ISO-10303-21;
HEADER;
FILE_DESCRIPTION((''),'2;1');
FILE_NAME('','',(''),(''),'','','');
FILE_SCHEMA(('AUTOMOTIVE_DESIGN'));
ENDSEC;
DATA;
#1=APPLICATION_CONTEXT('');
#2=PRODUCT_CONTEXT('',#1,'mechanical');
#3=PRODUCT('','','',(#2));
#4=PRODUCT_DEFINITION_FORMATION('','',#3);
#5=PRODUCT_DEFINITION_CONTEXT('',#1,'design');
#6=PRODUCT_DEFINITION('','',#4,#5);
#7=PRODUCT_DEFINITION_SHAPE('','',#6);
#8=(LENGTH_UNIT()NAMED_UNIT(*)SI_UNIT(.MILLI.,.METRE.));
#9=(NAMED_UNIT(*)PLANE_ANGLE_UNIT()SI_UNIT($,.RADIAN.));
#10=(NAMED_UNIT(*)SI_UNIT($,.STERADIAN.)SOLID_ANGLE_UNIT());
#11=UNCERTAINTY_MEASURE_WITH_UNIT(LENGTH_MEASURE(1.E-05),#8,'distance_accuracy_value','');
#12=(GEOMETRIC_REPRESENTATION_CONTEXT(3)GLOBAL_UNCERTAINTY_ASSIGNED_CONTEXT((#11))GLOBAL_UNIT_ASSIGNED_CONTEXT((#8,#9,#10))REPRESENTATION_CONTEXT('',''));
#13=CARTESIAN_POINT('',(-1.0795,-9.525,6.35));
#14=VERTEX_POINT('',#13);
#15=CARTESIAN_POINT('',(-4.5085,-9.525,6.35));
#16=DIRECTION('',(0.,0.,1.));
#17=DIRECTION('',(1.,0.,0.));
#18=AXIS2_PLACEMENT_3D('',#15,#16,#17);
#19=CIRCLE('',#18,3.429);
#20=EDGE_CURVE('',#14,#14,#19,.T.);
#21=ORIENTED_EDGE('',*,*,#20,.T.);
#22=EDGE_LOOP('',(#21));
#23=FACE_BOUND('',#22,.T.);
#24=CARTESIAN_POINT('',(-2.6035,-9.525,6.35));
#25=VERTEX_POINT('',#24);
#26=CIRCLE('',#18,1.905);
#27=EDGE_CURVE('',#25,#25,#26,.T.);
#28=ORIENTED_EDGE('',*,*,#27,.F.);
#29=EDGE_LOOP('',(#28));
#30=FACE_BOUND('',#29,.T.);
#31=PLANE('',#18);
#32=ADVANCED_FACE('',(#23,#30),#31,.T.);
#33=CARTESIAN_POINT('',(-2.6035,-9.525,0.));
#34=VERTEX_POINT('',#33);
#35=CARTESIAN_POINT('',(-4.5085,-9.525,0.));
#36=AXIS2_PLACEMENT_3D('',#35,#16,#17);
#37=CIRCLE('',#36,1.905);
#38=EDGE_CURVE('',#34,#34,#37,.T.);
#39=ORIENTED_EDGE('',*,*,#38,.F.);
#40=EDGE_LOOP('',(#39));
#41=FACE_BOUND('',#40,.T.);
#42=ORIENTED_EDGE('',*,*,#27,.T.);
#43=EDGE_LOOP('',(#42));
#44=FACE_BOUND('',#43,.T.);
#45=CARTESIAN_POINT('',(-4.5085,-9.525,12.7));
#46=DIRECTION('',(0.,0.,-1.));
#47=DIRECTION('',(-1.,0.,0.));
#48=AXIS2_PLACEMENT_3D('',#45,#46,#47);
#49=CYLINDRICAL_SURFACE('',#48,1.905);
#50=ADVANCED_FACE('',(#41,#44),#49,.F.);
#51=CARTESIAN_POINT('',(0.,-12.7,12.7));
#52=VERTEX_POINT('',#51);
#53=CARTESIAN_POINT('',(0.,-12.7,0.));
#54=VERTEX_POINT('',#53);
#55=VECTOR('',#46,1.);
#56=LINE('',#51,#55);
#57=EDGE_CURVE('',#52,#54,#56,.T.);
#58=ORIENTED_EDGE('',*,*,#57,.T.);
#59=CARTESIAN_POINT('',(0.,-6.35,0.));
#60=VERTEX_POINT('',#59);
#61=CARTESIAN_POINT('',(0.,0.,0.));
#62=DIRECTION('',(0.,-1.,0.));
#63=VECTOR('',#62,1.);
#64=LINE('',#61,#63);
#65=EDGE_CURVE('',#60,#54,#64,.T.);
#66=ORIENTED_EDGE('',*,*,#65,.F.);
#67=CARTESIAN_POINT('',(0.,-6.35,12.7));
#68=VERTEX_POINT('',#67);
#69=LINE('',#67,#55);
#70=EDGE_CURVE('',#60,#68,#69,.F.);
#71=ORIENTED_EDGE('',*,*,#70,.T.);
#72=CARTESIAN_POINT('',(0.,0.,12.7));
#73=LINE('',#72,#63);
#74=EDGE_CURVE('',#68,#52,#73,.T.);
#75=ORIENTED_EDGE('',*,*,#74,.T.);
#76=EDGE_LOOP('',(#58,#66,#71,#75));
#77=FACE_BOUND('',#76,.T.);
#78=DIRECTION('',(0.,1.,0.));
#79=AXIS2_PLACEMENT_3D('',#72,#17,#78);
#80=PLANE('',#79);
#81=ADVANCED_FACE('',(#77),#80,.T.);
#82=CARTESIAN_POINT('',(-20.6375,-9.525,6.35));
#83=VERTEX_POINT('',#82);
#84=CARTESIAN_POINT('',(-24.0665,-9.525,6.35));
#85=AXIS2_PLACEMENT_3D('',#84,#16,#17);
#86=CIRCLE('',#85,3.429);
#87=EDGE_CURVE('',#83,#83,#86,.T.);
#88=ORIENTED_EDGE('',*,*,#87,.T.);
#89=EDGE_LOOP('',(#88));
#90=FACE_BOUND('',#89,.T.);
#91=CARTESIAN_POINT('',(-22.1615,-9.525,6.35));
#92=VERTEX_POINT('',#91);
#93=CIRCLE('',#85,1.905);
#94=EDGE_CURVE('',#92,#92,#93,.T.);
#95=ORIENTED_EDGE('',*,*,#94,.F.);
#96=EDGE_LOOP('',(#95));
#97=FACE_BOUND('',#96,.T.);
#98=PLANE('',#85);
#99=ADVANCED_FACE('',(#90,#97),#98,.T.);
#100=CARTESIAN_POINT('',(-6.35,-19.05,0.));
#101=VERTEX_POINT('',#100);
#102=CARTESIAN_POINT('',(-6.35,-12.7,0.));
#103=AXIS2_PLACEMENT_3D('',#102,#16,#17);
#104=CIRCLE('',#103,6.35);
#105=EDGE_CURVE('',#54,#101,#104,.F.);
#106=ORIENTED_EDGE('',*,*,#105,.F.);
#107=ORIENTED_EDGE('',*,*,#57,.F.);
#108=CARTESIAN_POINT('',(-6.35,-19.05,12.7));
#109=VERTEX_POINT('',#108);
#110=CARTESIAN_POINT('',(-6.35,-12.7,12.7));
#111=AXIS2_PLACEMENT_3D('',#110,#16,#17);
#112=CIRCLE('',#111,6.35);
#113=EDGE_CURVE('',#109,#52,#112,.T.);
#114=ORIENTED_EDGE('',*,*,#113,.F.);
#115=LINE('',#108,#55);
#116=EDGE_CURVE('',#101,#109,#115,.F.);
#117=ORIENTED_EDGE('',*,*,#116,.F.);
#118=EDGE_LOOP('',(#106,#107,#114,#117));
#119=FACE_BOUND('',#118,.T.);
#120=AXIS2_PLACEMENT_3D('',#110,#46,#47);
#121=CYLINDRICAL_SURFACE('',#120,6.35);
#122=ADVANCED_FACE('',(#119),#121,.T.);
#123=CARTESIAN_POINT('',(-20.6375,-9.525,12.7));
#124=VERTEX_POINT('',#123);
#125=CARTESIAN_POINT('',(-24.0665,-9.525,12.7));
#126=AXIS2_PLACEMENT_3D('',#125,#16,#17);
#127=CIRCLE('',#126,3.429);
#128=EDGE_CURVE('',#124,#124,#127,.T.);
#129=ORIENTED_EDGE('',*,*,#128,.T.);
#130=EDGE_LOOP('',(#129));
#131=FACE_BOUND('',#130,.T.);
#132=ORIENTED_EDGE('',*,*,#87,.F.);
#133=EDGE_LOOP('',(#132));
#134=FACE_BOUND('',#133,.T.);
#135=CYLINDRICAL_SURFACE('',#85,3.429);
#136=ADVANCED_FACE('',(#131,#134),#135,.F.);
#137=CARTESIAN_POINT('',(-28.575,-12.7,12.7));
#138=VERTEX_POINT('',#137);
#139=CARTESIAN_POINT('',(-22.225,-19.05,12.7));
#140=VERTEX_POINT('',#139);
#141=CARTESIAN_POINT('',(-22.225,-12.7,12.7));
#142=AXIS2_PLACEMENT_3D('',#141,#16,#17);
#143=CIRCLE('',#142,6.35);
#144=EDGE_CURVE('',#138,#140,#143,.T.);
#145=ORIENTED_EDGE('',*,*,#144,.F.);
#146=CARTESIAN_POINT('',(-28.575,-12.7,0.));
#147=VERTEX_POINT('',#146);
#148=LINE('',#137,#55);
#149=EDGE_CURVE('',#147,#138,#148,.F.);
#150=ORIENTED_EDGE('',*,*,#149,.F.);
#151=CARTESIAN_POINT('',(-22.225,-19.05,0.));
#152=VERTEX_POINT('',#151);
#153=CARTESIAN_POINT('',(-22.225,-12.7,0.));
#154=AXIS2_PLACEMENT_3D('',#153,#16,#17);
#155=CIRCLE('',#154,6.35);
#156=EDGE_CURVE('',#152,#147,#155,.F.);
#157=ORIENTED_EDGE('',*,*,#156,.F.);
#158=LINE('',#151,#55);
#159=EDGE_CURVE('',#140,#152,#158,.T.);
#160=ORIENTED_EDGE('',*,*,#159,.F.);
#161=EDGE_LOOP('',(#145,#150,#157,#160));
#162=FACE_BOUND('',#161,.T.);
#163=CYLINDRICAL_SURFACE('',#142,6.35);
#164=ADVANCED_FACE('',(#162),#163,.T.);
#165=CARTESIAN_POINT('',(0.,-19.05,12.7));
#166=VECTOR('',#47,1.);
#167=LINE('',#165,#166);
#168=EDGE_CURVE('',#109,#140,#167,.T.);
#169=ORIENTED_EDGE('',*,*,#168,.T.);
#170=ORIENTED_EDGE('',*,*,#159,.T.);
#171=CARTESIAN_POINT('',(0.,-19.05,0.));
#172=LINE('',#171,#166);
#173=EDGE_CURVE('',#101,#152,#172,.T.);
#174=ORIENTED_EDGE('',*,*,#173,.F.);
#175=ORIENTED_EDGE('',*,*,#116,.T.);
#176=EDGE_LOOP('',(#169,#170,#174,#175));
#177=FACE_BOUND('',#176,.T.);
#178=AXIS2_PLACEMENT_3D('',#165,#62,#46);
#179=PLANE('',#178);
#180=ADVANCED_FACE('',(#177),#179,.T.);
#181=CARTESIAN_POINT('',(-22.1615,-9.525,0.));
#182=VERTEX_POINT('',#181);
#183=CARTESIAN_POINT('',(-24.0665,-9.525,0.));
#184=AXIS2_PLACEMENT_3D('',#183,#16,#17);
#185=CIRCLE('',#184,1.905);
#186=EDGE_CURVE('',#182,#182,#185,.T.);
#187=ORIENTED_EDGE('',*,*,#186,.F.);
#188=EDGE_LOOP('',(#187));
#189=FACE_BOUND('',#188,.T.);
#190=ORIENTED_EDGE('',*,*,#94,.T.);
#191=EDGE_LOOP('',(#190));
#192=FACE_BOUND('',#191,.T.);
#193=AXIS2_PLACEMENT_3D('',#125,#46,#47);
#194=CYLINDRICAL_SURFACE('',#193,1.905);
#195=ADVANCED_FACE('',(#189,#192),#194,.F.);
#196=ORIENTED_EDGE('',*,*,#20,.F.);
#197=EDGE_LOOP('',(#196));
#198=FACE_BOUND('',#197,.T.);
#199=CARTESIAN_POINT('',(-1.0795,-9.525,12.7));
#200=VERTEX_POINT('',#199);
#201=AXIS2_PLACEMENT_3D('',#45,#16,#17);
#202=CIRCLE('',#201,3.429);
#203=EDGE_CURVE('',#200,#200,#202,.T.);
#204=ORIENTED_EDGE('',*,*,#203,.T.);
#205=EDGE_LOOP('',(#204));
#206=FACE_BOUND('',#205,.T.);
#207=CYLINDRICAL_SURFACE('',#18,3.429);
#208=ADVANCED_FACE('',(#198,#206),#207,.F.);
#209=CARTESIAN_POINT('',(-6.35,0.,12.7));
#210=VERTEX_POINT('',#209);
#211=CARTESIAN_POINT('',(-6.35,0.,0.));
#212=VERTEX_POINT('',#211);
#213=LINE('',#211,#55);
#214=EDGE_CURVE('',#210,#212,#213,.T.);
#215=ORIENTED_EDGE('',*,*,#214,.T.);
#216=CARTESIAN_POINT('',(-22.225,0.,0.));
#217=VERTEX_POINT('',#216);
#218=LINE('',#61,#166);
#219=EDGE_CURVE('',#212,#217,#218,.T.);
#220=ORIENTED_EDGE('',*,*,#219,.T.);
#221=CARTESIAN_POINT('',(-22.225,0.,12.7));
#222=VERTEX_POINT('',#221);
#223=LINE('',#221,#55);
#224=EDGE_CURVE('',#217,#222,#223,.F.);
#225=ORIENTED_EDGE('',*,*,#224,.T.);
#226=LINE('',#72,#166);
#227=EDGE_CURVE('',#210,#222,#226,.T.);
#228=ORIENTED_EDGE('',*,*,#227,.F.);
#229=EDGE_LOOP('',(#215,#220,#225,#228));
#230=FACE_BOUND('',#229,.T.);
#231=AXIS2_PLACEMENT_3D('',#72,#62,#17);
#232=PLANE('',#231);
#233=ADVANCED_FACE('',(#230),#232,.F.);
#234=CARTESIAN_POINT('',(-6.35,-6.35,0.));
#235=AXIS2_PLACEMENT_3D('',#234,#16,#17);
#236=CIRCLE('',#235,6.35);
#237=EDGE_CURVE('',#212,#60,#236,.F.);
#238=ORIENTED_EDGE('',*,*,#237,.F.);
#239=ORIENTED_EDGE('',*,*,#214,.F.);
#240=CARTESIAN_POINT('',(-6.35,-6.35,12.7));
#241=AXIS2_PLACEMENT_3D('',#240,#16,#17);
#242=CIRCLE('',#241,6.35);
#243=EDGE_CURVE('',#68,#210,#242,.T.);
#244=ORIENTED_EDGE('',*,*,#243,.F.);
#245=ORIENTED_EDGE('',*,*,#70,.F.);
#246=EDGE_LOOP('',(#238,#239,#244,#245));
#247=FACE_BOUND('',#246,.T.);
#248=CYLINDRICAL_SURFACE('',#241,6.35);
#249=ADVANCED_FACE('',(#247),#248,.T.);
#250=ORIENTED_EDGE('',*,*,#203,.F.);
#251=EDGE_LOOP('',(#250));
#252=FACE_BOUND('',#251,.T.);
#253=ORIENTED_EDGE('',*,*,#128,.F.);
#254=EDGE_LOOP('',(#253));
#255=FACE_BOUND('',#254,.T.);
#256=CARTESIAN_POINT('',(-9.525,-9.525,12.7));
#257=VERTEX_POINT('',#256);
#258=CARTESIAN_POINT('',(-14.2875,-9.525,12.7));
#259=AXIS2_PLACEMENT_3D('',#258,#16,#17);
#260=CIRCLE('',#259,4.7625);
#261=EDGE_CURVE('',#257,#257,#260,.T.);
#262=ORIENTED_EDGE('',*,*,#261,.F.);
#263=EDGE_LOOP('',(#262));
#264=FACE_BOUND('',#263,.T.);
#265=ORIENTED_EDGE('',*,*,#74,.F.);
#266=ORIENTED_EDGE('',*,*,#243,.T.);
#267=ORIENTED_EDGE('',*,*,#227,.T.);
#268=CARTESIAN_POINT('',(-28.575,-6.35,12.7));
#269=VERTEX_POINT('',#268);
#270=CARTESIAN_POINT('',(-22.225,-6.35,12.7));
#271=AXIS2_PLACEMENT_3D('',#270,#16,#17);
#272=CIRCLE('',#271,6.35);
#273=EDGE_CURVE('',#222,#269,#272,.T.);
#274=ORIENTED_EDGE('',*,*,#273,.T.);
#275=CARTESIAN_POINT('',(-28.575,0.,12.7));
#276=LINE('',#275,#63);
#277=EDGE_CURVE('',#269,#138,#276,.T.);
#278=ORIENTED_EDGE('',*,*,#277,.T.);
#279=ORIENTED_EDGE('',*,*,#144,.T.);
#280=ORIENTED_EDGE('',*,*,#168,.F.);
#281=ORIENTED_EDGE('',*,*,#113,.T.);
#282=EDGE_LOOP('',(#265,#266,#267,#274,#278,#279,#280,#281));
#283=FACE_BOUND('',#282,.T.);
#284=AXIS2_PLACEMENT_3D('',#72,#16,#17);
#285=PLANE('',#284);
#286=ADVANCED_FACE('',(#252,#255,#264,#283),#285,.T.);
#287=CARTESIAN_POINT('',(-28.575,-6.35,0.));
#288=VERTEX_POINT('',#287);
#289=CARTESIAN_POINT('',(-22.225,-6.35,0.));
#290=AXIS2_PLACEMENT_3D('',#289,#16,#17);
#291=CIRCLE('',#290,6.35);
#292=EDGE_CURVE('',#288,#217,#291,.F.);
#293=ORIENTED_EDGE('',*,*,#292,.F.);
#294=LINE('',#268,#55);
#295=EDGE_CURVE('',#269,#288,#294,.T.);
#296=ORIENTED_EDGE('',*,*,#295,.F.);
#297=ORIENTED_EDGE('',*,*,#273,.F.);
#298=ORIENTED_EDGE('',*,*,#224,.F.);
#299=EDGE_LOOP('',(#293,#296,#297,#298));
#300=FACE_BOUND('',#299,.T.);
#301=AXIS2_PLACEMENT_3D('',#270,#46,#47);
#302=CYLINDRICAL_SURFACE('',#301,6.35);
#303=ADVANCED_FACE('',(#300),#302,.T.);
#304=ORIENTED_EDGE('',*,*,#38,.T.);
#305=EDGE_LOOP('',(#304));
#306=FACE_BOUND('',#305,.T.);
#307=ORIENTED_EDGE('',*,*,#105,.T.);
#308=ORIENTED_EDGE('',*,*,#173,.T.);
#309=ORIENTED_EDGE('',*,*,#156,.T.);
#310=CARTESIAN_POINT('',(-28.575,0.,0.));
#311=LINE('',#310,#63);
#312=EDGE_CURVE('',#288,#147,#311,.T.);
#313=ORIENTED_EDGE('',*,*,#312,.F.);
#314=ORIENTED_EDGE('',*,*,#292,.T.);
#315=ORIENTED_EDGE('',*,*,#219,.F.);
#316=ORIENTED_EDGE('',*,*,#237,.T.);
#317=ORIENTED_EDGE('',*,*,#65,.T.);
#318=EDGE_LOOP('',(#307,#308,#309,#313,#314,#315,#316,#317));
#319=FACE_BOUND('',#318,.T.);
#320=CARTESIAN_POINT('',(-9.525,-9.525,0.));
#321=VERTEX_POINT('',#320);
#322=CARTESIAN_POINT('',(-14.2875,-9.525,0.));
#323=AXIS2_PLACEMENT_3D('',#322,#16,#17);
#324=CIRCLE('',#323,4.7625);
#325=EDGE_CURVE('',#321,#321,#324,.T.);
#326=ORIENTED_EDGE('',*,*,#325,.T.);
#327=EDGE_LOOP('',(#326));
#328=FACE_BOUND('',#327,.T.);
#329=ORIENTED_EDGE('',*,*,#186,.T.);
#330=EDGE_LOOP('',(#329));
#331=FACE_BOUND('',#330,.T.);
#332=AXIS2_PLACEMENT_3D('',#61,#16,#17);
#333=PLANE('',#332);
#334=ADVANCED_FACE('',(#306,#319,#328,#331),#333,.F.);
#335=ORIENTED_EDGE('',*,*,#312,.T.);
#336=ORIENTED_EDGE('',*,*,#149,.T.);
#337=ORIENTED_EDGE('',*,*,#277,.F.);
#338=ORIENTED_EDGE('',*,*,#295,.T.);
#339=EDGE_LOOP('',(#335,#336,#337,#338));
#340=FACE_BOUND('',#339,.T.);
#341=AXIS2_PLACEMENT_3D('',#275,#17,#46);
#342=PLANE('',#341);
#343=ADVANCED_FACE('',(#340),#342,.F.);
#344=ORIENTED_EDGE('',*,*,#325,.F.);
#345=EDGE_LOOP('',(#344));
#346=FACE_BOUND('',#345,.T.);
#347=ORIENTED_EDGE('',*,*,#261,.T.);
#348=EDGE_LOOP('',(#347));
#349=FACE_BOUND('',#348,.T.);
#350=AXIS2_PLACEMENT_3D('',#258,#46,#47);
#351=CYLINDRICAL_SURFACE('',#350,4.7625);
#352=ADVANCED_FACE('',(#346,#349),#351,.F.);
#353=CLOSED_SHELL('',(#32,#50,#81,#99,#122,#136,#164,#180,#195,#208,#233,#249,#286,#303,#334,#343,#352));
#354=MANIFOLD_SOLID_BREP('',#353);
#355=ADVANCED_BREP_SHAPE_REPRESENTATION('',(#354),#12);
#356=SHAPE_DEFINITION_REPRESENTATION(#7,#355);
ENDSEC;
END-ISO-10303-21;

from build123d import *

# Parameters (mm, degrees)
BOSS_EXTRUDE1_DEPTH = 12.7
FILLET1_R           = 6.35
SKETCH2_R           = 3.429
CUT_EXTRUDE1_DEPTH  = 6.35


with BuildPart() as part:
    # Sketch1 → Boss-Extrude1 (new body)
    with BuildSketch(Plane.XY):
        with BuildLine():
            Line((-14.2875, -4.7625), (-14.2875, 0))
            Line((-14.2875, 0), (-28.575, 0))
            Line((-28.575, 0), (-28.575, -9.525))
            Line((-28.575, -9.525), (-25.9715, -9.525))
            ThreePointArc((-25.9715, -9.525), (-24.0665, -7.62), (-22.1615, -9.525))
            Line((-22.1615, -9.525), (-19.05, -9.525))
            ThreePointArc((-19.05, -9.525), (-17.655096045, -6.157403955), (-14.2875, -4.7625))
        make_face()
        with BuildLine():
            ThreePointArc((-14.2875, -14.2875), (-17.655096045, -12.892596045), (-19.05, -9.525))
            Line((-19.05, -9.525), (-22.1615, -9.525))
            ThreePointArc((-22.1615, -9.525), (-24.0665, -11.43), (-25.9715, -9.525))
            Line((-25.9715, -9.525), (-28.575, -9.525))
            Line((-28.575, -9.525), (-28.575, -19.05))
            Line((-28.575, -19.05), (-14.2875, -19.05))
            Line((-14.2875, -19.05), (-14.2875, -14.2875))
        make_face()
        with BuildLine():
            Line((-6.4135, -9.525), (-9.525, -9.525))
            ThreePointArc((-9.525, -9.525), (-10.919903955, -12.892596045), (-14.2875, -14.2875))
            Line((-14.2875, -14.2875), (-14.2875, -19.05))
            Line((-14.2875, -19.05), (0, -19.05))
            Line((0, -19.05), (0, -9.525))
            Line((0, -9.525), (-2.6035, -9.525))
            ThreePointArc((-2.6035, -9.525), (-4.5085, -11.43), (-6.4135, -9.525))
        make_face()
        with BuildLine():
            Line((0, 0), (-14.2875, 0))
            Line((-14.2875, 0), (-14.2875, -4.7625))
            ThreePointArc((-14.2875, -4.7625), (-10.919903955, -6.157403955), (-9.525, -9.525))
            Line((-9.525, -9.525), (-6.4135, -9.525))
            ThreePointArc((-6.4135, -9.525), (-4.5085, -7.62), (-2.6035, -9.525))
            Line((-2.6035, -9.525), (0, -9.525))
            Line((0, -9.525), (0, 0))
        make_face()
    extrude(amount=BOSS_EXTRUDE1_DEPTH)

    # Fillet1
    fillet1_edges = [part.edges().sort_by_distance(p)[0] for p in [
        (-28.575, -19.05, 6.35),
        (-28.575, 0, 6.35),
        (0, 0, 6.35),
        (0, -19.05, 6.35),
    ]]
    fillet(fillet1_edges, radius=FILLET1_R)

    # Sketch2 → Cut-Extrude1 (cut)
    with BuildSketch(Plane.XY.offset(12.7)):
        with Locations((-24.0665, -9.525)):
            Circle(SKETCH2_R)
        with Locations((-4.5085, -9.525)):
            Circle(SKETCH2_R)
    extrude(amount=-CUT_EXTRUDE1_DEPTH, mode=Mode.SUBTRACT)


solid = part.part
